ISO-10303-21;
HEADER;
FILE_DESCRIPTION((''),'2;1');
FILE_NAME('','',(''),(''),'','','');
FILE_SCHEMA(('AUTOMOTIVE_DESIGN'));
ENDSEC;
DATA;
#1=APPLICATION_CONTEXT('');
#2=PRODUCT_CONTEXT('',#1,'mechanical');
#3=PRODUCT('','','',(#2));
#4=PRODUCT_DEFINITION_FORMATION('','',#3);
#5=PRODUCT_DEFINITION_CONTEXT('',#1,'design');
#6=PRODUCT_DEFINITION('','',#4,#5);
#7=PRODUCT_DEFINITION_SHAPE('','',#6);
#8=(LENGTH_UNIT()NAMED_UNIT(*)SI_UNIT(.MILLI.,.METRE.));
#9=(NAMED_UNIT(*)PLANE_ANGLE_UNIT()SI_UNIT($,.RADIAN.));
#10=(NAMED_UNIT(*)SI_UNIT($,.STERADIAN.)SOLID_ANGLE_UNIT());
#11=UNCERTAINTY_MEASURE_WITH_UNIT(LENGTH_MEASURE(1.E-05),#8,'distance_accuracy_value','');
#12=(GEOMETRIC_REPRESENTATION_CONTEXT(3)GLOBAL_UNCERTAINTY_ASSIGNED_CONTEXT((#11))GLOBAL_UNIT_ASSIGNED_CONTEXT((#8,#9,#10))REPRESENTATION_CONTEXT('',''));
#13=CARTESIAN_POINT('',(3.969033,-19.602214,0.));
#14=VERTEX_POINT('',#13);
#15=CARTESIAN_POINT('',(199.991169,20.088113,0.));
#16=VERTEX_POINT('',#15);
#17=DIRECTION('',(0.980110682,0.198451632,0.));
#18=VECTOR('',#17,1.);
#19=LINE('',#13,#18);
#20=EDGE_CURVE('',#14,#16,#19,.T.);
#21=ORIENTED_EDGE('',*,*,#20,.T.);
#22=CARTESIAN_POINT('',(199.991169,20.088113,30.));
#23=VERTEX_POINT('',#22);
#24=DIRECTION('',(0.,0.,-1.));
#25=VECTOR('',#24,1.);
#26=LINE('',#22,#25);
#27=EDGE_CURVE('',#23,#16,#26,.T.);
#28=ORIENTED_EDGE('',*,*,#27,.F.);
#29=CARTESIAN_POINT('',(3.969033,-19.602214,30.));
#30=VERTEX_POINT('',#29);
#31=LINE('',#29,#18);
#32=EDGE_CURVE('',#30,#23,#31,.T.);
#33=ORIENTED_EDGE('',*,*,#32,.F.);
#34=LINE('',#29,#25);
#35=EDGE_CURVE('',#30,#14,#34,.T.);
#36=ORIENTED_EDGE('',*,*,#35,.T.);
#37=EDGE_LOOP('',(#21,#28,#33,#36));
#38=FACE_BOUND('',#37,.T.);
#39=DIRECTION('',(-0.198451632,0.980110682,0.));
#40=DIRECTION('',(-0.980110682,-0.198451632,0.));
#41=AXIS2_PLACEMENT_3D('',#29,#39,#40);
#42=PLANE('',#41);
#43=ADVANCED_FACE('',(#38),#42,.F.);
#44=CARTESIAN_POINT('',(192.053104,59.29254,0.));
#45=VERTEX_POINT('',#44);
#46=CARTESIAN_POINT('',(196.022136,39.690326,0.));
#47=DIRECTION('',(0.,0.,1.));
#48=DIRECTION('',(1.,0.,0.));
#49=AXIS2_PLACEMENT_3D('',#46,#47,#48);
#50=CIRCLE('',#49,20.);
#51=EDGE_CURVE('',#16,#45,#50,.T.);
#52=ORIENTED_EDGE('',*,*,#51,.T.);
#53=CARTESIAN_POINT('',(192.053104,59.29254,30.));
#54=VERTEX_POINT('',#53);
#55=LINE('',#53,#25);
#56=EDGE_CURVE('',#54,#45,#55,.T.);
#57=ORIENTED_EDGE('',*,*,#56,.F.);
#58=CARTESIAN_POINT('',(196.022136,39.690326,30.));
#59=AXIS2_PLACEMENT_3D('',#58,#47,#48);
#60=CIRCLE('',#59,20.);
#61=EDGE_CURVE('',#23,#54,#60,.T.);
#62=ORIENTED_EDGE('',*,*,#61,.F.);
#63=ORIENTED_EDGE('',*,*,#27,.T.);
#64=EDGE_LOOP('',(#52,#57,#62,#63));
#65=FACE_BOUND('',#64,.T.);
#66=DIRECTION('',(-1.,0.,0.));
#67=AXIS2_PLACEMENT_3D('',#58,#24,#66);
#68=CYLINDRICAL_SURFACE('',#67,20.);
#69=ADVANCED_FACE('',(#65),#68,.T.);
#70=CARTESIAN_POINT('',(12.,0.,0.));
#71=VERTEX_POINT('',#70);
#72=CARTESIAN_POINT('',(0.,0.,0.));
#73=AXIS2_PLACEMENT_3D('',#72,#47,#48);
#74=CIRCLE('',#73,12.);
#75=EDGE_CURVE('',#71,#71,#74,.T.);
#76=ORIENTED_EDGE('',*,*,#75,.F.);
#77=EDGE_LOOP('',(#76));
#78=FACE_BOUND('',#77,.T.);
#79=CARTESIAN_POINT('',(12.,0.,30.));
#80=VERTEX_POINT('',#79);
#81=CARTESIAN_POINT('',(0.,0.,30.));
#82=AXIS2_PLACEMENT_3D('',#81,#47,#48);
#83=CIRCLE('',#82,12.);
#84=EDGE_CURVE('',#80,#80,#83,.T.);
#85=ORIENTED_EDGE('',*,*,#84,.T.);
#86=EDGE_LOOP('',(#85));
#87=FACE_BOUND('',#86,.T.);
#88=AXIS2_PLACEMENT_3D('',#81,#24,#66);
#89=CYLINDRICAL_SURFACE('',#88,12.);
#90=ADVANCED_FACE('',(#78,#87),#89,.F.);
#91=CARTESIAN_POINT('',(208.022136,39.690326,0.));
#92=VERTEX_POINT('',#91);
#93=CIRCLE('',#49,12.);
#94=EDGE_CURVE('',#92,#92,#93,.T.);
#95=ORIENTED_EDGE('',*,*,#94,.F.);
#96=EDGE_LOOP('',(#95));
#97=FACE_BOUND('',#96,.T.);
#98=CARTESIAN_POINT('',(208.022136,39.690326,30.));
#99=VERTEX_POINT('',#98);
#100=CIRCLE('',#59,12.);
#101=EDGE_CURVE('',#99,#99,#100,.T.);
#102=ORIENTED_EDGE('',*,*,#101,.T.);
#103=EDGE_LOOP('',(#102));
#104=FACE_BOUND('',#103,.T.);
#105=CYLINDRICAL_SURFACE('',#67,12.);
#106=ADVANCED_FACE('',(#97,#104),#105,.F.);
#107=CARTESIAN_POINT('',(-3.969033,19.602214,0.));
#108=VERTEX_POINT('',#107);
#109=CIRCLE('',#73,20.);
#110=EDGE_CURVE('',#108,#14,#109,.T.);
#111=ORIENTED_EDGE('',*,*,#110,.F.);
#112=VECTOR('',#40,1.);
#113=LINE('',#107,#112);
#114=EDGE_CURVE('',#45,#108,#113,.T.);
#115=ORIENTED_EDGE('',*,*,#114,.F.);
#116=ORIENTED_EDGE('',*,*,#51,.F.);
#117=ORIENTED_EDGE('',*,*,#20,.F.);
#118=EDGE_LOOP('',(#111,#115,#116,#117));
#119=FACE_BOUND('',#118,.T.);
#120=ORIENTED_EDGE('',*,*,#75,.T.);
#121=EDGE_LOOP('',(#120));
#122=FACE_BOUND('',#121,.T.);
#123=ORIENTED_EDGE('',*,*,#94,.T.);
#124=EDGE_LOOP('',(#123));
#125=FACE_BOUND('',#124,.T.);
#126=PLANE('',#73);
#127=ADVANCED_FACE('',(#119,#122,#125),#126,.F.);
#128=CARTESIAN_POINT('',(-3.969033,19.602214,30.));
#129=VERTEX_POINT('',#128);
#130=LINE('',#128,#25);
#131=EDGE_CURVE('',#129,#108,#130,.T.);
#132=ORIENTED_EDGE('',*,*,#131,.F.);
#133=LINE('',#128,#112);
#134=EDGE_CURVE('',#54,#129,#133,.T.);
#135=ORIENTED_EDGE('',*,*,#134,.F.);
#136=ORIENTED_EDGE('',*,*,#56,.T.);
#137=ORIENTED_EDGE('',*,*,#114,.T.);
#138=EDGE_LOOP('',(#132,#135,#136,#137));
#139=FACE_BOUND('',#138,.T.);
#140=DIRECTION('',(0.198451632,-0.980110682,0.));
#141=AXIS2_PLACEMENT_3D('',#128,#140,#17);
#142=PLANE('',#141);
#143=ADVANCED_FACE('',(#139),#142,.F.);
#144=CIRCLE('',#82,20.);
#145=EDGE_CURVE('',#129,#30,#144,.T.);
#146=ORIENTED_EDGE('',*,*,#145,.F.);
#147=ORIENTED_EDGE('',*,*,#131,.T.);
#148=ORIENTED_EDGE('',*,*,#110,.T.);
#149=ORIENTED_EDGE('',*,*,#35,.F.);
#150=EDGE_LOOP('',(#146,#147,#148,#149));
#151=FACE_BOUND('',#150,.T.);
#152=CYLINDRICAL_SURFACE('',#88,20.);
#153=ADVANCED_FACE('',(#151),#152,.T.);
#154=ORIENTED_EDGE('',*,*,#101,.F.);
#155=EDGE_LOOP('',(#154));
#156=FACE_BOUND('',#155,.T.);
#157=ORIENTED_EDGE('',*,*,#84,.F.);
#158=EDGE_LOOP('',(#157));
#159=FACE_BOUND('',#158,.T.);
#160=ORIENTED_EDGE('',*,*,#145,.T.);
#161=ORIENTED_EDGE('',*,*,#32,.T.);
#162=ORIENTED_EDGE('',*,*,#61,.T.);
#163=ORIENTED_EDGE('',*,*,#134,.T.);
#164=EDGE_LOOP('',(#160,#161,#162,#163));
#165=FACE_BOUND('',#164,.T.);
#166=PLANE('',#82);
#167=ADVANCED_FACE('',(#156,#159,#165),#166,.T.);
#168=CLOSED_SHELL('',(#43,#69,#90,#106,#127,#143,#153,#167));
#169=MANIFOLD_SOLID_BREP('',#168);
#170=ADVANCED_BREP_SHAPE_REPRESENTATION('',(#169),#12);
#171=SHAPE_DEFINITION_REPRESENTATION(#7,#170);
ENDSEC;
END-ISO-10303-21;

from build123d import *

# Parameters (mm, degrees)
SKETCH1_R           = 12
BOSS_EXTRUDE1_DEPTH = 30


with BuildPart() as part:
    # Sketch1 → Boss-Extrude1 (new body)
    with BuildSketch(Plane.XY):
        with BuildLine():
            Line((-3.969032643, 19.602213647), (192.05310383, 59.292540081))
            ThreePointArc((192.05310383, 59.292540081), (215.624350121, 43.659359077), (199.991169117, 20.088112786))
            Line((199.991169117, 20.088112786), (3.969032643, -19.602213647))
            ThreePointArc((3.969032643, -19.602213647), (-19.602213647, -3.969032643), (-3.969032643, 19.602213647))
        make_face()
        Circle(SKETCH1_R, mode=Mode.SUBTRACT)
        with Locations((196.022136473, 39.690326433)):
            Circle(SKETCH1_R, mode=Mode.SUBTRACT)
    extrude(amount=BOSS_EXTRUDE1_DEPTH)


solid = part.part
